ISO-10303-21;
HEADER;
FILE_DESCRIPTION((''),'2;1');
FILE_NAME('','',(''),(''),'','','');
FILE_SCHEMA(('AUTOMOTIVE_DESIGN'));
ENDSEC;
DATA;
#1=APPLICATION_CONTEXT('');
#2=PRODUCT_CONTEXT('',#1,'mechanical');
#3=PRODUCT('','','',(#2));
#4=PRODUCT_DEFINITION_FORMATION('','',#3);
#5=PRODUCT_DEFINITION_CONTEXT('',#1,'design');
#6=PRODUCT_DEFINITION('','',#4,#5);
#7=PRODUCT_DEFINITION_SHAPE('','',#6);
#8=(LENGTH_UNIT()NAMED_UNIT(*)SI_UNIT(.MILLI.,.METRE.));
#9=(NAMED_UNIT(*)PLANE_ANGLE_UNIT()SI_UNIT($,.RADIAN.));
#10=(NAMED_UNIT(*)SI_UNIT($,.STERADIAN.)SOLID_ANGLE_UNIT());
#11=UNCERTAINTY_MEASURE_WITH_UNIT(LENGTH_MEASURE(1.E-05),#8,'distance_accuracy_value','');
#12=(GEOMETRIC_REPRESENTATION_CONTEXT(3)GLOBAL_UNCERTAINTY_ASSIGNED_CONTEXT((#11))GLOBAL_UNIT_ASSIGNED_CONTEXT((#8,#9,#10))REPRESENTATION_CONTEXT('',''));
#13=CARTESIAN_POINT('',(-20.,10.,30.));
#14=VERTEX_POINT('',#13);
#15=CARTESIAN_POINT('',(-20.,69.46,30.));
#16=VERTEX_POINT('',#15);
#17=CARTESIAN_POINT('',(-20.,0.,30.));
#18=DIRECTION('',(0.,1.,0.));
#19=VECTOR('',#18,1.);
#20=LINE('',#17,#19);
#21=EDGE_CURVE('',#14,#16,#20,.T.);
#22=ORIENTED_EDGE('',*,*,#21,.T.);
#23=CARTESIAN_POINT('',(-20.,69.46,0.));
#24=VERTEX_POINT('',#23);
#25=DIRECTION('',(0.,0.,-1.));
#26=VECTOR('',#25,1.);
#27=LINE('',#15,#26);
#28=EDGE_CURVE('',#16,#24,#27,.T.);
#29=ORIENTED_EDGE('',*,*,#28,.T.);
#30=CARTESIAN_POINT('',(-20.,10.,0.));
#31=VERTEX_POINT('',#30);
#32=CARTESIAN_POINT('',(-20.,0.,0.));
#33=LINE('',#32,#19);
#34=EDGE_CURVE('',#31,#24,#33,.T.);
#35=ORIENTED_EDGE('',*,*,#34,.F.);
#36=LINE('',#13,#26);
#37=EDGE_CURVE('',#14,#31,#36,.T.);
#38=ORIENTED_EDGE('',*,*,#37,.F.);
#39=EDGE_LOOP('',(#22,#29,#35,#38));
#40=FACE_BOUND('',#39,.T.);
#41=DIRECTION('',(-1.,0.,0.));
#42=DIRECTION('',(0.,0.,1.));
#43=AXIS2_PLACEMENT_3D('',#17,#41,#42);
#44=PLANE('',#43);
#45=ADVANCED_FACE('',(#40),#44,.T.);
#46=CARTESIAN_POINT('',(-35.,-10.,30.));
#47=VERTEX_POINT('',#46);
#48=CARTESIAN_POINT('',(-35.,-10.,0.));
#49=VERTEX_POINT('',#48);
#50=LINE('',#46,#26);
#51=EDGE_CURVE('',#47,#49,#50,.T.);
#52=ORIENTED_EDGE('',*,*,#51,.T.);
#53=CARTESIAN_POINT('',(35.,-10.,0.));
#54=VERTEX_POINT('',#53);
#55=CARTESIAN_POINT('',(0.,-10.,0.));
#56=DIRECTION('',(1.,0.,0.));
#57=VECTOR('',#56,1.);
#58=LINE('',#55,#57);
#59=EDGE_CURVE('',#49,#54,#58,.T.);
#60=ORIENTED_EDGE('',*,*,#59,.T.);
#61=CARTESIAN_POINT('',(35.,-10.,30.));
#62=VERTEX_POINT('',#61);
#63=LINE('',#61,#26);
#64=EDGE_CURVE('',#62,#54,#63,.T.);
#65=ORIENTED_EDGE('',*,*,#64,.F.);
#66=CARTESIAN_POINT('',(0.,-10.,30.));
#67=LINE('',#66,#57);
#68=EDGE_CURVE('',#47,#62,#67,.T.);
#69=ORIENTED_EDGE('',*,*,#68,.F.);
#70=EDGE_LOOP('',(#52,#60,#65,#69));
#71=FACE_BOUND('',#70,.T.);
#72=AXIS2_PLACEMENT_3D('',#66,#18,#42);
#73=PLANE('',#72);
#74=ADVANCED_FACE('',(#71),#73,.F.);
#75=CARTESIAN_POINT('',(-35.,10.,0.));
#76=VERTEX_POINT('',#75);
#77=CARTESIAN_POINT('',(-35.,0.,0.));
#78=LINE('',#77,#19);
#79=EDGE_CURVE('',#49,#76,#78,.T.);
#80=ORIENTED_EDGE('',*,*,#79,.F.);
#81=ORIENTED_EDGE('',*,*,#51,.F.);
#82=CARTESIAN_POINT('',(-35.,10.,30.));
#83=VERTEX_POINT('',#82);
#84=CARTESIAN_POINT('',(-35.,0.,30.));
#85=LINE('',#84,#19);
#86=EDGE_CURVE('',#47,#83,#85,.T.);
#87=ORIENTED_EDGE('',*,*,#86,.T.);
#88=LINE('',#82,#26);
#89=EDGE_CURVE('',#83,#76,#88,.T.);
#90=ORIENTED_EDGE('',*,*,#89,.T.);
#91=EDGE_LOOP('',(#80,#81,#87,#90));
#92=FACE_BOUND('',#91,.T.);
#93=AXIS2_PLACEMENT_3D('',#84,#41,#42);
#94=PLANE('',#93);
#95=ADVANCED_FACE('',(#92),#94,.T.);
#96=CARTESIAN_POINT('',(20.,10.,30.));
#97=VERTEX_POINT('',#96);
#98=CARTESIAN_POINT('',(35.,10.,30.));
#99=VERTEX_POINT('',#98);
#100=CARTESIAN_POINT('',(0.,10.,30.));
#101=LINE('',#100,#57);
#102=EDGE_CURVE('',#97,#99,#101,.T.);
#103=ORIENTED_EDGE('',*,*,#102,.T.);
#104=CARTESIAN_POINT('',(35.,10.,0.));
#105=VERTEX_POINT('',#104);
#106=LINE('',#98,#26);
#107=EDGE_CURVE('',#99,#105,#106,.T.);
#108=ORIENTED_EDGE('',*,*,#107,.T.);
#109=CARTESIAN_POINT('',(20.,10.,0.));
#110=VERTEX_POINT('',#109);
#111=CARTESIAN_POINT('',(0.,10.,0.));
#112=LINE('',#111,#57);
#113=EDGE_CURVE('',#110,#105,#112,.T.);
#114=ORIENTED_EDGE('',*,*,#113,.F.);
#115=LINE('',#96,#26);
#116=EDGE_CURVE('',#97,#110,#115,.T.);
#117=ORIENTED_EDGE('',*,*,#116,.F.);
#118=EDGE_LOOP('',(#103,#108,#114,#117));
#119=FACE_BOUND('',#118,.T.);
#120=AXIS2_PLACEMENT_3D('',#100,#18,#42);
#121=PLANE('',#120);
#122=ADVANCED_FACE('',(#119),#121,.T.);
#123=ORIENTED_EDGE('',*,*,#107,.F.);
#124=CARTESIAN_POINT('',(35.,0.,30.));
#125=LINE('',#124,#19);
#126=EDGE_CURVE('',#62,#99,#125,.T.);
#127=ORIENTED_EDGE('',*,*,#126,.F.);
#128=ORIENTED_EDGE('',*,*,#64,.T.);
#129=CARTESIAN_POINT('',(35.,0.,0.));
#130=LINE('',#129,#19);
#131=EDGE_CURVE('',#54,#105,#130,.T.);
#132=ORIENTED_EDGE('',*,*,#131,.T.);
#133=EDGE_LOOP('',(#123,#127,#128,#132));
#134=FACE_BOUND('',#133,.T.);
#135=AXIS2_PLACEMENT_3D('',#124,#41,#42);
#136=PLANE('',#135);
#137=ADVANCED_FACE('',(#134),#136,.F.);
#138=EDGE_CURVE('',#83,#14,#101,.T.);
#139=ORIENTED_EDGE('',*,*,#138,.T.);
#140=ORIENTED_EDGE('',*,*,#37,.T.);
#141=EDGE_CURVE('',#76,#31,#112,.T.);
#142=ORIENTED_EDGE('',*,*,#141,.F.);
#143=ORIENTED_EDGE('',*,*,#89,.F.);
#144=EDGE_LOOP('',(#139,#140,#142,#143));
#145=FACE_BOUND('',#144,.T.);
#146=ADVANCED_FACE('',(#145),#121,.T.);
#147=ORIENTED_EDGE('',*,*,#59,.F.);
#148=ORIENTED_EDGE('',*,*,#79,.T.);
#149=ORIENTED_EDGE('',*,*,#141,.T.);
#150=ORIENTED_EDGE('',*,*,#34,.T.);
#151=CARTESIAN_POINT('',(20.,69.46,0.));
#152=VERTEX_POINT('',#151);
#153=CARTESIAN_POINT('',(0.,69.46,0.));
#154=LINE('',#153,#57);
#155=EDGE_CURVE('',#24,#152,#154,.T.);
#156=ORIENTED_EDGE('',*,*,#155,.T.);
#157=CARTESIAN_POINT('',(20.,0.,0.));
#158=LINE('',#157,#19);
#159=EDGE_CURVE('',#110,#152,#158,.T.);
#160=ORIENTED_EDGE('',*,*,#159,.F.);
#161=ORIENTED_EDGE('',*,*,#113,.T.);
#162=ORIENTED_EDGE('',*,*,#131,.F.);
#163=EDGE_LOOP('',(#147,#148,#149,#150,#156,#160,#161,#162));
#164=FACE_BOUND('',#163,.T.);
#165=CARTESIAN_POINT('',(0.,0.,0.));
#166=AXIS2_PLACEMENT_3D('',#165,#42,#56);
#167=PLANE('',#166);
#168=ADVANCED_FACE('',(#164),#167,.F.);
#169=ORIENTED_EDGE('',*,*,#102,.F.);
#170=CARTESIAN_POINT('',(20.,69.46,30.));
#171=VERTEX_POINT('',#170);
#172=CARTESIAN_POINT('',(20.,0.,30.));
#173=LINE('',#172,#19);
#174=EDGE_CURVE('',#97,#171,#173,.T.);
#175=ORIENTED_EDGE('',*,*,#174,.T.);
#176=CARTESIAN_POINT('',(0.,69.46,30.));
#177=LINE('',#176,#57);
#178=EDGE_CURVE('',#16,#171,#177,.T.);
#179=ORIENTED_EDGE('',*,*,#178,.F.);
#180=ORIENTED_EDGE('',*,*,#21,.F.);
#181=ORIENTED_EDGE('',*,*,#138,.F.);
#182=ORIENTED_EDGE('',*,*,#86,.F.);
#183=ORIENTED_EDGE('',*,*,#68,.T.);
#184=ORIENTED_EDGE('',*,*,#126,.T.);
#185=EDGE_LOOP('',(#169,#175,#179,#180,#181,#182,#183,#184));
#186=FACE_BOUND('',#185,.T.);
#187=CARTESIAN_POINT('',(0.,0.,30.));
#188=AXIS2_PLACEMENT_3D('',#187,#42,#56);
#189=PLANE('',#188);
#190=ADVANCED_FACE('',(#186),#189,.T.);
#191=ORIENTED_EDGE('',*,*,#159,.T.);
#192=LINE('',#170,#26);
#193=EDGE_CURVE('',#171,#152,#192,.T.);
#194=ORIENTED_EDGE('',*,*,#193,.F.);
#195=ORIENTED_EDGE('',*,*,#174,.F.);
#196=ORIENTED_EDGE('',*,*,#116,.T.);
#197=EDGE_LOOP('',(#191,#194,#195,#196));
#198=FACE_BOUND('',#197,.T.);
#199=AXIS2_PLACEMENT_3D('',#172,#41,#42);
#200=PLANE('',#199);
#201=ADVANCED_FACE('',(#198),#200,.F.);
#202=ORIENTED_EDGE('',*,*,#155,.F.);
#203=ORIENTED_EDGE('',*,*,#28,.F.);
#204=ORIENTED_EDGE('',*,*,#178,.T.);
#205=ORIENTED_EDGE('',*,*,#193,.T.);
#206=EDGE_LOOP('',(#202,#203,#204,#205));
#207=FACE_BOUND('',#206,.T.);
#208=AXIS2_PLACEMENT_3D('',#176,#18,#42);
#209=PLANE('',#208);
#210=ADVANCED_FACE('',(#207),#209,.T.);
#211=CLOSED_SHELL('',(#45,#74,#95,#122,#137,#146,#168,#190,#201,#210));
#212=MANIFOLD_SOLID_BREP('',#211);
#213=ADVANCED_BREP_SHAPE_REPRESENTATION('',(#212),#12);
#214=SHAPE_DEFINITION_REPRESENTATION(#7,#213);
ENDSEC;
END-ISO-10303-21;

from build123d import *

# Parameters (mm, degrees)
SKETCH1_W           = 40
SKETCH1_H           = 59.46
SKETCH1_W_2         = 70
SKETCH1_H_2         = 20
BOSS_EXTRUDE1_DEPTH = 30


with BuildPart() as part:
    # Sketch1 → Boss-Extrude1 (new body)
    with BuildSketch(Plane.XY):
        with Locations((0, 39.73)):
            Rectangle(SKETCH1_W, SKETCH1_H)
        Rectangle(SKETCH1_W_2, SKETCH1_H_2)
    extrude(amount=BOSS_EXTRUDE1_DEPTH)


solid = part.part
